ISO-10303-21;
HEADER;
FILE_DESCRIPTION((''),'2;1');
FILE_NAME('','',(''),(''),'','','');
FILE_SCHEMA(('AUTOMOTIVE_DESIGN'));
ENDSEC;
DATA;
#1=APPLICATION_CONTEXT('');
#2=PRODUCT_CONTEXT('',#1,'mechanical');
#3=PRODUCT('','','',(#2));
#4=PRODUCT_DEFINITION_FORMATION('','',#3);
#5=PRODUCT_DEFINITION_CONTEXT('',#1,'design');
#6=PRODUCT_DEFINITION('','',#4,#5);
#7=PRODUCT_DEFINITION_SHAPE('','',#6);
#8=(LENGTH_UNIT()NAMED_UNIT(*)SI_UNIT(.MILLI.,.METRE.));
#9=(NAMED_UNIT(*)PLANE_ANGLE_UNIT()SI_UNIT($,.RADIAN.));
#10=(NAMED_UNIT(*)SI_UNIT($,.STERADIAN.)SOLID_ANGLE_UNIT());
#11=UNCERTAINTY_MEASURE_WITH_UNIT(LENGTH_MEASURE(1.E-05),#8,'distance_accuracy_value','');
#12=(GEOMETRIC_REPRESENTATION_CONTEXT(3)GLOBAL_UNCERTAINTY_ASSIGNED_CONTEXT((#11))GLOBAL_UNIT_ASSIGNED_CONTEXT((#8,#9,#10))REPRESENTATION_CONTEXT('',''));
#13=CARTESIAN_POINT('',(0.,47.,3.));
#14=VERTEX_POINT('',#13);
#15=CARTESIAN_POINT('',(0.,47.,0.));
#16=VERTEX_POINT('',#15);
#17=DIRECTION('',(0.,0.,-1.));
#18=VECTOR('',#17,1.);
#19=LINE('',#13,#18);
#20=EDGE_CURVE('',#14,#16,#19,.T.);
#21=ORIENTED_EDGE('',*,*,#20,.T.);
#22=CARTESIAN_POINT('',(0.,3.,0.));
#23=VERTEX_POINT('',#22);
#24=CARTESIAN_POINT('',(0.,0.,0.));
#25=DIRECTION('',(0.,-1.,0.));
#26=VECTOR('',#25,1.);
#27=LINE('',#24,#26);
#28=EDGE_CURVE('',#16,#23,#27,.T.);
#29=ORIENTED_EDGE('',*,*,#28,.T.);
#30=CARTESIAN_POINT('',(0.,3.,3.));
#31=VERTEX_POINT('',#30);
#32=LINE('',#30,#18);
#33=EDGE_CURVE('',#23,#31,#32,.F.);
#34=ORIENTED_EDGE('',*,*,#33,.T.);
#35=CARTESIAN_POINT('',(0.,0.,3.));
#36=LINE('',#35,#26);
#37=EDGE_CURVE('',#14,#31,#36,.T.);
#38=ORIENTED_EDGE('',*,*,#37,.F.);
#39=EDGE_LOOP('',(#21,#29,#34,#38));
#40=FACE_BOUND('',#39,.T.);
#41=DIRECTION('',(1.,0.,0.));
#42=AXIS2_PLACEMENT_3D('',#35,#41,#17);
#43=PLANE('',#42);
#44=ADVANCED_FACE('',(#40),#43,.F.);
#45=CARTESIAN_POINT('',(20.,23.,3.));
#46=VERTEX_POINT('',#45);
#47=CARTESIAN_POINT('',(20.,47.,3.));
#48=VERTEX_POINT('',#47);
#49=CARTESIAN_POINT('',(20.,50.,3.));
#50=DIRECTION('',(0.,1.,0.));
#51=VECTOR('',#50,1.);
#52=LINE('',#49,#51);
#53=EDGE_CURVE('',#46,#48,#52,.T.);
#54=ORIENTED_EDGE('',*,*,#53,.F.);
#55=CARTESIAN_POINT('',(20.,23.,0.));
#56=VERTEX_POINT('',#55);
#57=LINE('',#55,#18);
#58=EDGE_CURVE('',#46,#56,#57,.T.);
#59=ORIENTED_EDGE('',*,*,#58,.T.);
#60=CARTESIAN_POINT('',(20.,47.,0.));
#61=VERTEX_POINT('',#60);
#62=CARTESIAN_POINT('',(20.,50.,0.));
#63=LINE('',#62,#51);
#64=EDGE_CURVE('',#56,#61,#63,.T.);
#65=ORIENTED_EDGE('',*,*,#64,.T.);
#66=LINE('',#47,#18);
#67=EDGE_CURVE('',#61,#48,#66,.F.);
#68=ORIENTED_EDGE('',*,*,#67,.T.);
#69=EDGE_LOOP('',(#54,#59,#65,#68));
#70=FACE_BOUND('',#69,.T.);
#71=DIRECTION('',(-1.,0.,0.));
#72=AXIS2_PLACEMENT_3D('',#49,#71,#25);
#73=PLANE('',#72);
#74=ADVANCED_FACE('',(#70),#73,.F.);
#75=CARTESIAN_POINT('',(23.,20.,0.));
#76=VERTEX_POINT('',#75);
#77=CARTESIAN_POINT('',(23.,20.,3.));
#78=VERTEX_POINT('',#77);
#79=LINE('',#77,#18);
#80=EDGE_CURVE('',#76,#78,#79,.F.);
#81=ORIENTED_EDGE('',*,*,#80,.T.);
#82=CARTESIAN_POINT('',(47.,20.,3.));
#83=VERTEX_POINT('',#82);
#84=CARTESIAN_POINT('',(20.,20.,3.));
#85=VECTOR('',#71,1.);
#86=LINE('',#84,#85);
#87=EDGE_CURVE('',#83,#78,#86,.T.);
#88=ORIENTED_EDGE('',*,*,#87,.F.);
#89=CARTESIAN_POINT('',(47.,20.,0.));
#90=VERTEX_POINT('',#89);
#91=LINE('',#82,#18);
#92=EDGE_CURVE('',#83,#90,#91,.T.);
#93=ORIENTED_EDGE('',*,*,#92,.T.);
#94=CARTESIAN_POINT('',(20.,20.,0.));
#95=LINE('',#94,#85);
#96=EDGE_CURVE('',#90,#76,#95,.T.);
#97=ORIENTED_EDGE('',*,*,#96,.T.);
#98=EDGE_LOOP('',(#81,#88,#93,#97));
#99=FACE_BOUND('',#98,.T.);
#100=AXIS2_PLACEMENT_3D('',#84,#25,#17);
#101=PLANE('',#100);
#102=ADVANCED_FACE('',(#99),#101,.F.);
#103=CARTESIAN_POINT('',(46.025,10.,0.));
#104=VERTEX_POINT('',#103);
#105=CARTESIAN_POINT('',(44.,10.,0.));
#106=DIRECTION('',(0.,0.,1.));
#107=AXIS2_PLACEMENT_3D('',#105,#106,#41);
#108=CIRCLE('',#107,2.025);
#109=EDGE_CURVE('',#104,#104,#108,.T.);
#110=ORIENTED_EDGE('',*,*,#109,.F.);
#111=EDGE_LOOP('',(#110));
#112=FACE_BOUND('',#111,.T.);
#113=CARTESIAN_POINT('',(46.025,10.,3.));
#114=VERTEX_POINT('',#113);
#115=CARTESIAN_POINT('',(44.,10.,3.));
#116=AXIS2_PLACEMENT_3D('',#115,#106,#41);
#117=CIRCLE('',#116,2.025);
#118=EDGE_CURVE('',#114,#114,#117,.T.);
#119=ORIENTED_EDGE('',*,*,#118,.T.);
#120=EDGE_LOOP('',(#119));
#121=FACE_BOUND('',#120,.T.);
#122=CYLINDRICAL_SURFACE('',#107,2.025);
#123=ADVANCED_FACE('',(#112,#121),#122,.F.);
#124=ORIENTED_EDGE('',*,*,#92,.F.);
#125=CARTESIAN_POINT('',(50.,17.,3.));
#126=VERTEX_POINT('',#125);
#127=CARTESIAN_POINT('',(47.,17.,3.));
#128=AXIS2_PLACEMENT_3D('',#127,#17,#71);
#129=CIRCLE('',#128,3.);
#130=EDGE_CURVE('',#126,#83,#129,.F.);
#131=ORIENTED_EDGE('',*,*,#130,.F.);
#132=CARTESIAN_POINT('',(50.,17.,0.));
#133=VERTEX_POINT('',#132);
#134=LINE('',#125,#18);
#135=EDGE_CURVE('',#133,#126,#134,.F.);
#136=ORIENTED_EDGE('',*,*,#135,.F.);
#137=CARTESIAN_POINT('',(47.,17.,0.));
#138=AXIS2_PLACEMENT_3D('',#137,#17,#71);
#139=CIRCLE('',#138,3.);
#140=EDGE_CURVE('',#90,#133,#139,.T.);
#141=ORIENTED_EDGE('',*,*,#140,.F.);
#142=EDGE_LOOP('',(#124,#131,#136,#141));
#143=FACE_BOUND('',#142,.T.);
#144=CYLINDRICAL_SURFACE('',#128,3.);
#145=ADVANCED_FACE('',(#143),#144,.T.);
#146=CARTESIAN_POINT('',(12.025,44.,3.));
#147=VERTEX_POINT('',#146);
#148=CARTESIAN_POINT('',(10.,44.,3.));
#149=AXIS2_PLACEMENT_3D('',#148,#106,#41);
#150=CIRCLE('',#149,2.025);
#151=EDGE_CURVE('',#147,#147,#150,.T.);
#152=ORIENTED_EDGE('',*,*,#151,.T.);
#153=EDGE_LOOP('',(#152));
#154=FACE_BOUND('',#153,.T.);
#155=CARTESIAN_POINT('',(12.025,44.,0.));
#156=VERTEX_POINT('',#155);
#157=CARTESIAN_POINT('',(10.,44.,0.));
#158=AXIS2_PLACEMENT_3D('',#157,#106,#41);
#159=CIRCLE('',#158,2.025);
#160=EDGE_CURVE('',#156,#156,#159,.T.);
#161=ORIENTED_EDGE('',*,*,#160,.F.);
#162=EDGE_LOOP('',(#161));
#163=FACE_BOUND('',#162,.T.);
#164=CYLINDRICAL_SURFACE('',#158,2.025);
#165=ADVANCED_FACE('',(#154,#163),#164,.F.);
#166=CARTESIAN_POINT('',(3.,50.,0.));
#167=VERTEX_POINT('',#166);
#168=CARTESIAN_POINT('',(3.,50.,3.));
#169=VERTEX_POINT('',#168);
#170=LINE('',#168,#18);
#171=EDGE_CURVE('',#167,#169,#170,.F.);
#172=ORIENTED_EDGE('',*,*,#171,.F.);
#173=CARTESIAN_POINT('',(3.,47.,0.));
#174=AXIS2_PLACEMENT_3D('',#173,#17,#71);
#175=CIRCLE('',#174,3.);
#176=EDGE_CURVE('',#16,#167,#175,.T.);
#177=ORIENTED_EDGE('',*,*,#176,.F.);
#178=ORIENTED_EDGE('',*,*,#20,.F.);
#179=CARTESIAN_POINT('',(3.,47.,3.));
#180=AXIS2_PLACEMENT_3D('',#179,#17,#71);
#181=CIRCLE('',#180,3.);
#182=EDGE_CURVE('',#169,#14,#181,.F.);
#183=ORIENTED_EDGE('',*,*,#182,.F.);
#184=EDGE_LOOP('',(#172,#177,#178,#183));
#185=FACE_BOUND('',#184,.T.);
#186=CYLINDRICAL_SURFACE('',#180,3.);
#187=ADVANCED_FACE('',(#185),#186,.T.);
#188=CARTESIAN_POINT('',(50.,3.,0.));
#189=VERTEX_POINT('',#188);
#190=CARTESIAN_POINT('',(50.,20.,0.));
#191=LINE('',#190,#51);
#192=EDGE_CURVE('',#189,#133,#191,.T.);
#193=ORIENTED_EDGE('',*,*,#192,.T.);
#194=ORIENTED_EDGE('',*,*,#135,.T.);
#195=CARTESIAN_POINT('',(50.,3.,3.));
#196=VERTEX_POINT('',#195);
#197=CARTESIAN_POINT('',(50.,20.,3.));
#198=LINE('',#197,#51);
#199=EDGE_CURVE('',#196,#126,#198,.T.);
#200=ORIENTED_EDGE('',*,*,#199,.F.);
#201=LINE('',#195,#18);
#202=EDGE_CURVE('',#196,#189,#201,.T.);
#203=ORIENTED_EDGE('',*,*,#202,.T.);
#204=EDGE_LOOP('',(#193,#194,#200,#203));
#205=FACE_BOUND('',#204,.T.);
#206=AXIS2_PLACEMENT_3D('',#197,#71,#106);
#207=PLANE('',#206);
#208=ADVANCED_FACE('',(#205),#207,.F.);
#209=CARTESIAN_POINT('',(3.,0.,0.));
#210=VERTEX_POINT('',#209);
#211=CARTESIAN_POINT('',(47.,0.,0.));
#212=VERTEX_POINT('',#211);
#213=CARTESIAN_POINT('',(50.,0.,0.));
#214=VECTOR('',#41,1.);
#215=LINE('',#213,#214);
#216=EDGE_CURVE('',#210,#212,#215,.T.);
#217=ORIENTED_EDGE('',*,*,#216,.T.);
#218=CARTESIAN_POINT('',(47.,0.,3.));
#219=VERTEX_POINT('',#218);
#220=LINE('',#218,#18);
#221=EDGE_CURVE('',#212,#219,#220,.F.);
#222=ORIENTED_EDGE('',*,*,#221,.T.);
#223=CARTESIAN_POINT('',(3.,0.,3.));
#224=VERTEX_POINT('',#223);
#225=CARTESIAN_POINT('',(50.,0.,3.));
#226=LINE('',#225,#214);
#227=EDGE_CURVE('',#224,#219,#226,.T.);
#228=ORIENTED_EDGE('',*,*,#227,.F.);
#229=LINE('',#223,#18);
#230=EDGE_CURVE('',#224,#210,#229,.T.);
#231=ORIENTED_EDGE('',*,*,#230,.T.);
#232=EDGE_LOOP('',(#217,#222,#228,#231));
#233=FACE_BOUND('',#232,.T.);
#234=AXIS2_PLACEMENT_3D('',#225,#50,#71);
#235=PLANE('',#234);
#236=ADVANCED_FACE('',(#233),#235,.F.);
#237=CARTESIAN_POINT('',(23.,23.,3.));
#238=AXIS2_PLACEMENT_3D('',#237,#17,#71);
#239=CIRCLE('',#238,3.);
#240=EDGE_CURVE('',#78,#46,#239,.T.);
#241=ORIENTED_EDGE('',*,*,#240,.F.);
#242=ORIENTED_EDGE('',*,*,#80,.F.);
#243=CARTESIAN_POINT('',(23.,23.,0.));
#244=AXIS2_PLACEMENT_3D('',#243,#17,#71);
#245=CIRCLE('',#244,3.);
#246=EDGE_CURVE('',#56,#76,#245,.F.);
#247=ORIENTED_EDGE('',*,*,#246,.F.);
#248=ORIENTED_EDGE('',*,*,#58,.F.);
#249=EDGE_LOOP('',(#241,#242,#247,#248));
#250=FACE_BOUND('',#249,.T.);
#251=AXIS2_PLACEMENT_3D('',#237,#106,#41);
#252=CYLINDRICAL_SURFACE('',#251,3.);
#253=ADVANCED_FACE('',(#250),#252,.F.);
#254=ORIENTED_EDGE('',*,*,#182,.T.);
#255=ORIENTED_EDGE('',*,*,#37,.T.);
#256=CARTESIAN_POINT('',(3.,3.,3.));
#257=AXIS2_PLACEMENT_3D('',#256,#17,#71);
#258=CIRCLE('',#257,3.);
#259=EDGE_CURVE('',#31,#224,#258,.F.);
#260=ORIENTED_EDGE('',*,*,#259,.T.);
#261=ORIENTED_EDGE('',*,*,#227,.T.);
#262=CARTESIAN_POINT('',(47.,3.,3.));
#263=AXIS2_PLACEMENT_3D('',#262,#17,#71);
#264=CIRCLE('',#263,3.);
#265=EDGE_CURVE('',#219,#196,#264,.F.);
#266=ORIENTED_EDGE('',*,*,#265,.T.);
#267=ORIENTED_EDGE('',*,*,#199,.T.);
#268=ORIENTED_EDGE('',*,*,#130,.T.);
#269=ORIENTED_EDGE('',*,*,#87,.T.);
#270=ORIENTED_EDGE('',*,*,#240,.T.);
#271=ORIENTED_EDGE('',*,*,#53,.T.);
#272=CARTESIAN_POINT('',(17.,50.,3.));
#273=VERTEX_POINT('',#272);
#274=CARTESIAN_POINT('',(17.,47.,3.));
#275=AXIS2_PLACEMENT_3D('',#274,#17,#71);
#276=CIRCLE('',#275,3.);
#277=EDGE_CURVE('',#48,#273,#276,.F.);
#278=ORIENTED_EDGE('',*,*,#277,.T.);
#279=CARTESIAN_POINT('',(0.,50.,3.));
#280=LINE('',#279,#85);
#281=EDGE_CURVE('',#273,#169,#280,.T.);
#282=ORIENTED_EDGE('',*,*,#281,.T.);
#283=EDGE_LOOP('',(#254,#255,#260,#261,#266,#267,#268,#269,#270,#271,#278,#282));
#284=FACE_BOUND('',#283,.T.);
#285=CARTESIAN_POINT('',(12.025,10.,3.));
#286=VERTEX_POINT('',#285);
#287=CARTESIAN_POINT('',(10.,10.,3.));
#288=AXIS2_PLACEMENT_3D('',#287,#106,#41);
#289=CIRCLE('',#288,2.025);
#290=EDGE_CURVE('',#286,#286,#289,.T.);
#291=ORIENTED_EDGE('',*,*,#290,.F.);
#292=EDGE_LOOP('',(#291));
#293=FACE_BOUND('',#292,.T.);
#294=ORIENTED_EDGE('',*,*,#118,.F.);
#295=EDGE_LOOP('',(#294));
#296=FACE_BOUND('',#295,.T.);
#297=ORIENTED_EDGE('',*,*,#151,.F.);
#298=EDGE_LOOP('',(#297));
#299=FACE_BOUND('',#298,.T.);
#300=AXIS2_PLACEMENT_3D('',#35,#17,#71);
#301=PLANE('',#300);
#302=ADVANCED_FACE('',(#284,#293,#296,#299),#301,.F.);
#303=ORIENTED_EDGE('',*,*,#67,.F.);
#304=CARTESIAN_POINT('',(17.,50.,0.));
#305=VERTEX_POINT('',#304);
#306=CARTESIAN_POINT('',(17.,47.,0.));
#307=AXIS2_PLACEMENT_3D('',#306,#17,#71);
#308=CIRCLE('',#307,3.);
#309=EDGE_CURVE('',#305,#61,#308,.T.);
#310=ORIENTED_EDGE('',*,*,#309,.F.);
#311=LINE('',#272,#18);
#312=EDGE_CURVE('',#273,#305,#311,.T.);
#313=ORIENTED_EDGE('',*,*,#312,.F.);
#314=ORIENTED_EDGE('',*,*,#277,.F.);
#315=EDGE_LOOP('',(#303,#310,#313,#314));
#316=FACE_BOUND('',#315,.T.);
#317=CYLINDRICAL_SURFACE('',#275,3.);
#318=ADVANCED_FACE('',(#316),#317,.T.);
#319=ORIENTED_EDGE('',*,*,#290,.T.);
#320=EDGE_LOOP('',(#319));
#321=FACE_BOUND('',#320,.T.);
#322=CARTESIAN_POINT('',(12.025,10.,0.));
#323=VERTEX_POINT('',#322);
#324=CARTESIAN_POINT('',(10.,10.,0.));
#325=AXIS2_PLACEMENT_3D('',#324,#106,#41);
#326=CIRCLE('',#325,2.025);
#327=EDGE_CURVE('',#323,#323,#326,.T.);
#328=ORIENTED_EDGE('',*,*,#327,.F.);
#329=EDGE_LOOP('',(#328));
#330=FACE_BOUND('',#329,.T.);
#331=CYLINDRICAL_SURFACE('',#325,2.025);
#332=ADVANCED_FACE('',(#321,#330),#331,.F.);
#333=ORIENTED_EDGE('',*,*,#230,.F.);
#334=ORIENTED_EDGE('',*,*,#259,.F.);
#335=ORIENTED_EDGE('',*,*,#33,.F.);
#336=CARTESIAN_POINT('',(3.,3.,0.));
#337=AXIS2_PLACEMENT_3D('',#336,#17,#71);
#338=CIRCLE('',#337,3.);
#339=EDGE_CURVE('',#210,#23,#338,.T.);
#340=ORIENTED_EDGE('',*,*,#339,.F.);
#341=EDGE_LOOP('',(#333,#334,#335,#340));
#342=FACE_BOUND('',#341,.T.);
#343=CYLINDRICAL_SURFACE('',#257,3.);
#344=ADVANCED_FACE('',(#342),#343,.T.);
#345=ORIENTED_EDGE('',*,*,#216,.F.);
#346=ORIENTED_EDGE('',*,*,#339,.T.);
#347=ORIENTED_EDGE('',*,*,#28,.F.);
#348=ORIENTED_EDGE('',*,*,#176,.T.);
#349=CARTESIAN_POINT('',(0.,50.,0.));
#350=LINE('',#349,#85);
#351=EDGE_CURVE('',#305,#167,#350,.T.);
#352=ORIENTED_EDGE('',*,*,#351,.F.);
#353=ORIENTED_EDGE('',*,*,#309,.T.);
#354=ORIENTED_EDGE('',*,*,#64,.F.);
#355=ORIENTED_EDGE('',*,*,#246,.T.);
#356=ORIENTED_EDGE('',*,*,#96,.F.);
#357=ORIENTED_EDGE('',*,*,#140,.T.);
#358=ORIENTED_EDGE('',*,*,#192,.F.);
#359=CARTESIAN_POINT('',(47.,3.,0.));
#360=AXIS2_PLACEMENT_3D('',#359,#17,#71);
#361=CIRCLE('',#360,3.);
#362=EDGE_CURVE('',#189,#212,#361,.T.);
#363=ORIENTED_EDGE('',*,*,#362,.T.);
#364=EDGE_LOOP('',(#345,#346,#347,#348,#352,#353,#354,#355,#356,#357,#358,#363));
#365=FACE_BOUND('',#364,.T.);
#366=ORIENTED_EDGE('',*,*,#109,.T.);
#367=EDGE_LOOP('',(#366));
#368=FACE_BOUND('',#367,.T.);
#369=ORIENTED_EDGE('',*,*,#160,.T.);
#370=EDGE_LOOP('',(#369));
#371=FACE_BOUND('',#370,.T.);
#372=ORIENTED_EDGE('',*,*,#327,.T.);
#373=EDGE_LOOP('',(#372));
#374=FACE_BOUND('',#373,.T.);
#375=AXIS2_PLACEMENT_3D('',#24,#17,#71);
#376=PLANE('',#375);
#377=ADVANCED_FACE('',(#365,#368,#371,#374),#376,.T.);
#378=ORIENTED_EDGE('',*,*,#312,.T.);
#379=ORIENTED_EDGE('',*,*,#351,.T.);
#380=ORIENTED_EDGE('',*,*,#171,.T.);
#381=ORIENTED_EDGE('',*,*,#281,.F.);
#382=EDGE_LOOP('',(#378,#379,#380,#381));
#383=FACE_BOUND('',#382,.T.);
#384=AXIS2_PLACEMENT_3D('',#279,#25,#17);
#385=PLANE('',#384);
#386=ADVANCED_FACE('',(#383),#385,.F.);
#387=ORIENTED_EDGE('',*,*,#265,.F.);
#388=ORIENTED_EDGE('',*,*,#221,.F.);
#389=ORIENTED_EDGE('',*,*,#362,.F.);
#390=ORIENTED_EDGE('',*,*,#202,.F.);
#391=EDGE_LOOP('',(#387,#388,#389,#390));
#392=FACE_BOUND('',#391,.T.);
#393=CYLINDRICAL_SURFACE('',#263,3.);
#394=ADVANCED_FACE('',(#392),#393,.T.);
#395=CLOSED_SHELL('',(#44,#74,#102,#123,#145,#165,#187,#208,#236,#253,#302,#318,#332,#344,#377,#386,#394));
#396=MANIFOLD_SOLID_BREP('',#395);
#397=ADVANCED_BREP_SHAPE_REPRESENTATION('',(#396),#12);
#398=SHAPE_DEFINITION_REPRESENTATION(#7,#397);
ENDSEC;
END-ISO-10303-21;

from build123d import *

# Parameters (mm, degrees)
EXTRUDE_1_DEPTH     = 3
SKETCH_2_R          = 2.025
CUT_EXTRUDE_1_DEPTH = 3
FILLET_1_R          = 3


with BuildPart() as part:
    # 草图1 → 凸台-拉伸1 (new body)
    with BuildSketch(Plane.XY):
        Polygon((0, 0), (0, 50), (20, 50), (20, 20), (50, 20), (50, 0), align=None)
    extrude(amount=EXTRUDE_1_DEPTH)

    # 草图2 → 切除-拉伸1 (cut)
    with BuildSketch(Plane.XY.offset(3)):
        with Locations((10, 10)):
            Circle(SKETCH_2_R)
        with Locations((10, 44)):
            Circle(SKETCH_2_R)
        with Locations((44, 10)):
            Circle(SKETCH_2_R)
    extrude(amount=-CUT_EXTRUDE_1_DEPTH, mode=Mode.SUBTRACT)

    # 圆角1
    fillet_1_edges = [part.edges().sort_by_distance(p)[0] for p in [
        (0, 0, 1.5),
        (0, 50, 1.5),
        (20, 50, 1.5),
        (20, 20, 1.5),
        (50, 20, 1.5),
        (50, 0, 1.5),
    ]]
    fillet(fillet_1_edges, radius=FILLET_1_R)


solid = part.part
